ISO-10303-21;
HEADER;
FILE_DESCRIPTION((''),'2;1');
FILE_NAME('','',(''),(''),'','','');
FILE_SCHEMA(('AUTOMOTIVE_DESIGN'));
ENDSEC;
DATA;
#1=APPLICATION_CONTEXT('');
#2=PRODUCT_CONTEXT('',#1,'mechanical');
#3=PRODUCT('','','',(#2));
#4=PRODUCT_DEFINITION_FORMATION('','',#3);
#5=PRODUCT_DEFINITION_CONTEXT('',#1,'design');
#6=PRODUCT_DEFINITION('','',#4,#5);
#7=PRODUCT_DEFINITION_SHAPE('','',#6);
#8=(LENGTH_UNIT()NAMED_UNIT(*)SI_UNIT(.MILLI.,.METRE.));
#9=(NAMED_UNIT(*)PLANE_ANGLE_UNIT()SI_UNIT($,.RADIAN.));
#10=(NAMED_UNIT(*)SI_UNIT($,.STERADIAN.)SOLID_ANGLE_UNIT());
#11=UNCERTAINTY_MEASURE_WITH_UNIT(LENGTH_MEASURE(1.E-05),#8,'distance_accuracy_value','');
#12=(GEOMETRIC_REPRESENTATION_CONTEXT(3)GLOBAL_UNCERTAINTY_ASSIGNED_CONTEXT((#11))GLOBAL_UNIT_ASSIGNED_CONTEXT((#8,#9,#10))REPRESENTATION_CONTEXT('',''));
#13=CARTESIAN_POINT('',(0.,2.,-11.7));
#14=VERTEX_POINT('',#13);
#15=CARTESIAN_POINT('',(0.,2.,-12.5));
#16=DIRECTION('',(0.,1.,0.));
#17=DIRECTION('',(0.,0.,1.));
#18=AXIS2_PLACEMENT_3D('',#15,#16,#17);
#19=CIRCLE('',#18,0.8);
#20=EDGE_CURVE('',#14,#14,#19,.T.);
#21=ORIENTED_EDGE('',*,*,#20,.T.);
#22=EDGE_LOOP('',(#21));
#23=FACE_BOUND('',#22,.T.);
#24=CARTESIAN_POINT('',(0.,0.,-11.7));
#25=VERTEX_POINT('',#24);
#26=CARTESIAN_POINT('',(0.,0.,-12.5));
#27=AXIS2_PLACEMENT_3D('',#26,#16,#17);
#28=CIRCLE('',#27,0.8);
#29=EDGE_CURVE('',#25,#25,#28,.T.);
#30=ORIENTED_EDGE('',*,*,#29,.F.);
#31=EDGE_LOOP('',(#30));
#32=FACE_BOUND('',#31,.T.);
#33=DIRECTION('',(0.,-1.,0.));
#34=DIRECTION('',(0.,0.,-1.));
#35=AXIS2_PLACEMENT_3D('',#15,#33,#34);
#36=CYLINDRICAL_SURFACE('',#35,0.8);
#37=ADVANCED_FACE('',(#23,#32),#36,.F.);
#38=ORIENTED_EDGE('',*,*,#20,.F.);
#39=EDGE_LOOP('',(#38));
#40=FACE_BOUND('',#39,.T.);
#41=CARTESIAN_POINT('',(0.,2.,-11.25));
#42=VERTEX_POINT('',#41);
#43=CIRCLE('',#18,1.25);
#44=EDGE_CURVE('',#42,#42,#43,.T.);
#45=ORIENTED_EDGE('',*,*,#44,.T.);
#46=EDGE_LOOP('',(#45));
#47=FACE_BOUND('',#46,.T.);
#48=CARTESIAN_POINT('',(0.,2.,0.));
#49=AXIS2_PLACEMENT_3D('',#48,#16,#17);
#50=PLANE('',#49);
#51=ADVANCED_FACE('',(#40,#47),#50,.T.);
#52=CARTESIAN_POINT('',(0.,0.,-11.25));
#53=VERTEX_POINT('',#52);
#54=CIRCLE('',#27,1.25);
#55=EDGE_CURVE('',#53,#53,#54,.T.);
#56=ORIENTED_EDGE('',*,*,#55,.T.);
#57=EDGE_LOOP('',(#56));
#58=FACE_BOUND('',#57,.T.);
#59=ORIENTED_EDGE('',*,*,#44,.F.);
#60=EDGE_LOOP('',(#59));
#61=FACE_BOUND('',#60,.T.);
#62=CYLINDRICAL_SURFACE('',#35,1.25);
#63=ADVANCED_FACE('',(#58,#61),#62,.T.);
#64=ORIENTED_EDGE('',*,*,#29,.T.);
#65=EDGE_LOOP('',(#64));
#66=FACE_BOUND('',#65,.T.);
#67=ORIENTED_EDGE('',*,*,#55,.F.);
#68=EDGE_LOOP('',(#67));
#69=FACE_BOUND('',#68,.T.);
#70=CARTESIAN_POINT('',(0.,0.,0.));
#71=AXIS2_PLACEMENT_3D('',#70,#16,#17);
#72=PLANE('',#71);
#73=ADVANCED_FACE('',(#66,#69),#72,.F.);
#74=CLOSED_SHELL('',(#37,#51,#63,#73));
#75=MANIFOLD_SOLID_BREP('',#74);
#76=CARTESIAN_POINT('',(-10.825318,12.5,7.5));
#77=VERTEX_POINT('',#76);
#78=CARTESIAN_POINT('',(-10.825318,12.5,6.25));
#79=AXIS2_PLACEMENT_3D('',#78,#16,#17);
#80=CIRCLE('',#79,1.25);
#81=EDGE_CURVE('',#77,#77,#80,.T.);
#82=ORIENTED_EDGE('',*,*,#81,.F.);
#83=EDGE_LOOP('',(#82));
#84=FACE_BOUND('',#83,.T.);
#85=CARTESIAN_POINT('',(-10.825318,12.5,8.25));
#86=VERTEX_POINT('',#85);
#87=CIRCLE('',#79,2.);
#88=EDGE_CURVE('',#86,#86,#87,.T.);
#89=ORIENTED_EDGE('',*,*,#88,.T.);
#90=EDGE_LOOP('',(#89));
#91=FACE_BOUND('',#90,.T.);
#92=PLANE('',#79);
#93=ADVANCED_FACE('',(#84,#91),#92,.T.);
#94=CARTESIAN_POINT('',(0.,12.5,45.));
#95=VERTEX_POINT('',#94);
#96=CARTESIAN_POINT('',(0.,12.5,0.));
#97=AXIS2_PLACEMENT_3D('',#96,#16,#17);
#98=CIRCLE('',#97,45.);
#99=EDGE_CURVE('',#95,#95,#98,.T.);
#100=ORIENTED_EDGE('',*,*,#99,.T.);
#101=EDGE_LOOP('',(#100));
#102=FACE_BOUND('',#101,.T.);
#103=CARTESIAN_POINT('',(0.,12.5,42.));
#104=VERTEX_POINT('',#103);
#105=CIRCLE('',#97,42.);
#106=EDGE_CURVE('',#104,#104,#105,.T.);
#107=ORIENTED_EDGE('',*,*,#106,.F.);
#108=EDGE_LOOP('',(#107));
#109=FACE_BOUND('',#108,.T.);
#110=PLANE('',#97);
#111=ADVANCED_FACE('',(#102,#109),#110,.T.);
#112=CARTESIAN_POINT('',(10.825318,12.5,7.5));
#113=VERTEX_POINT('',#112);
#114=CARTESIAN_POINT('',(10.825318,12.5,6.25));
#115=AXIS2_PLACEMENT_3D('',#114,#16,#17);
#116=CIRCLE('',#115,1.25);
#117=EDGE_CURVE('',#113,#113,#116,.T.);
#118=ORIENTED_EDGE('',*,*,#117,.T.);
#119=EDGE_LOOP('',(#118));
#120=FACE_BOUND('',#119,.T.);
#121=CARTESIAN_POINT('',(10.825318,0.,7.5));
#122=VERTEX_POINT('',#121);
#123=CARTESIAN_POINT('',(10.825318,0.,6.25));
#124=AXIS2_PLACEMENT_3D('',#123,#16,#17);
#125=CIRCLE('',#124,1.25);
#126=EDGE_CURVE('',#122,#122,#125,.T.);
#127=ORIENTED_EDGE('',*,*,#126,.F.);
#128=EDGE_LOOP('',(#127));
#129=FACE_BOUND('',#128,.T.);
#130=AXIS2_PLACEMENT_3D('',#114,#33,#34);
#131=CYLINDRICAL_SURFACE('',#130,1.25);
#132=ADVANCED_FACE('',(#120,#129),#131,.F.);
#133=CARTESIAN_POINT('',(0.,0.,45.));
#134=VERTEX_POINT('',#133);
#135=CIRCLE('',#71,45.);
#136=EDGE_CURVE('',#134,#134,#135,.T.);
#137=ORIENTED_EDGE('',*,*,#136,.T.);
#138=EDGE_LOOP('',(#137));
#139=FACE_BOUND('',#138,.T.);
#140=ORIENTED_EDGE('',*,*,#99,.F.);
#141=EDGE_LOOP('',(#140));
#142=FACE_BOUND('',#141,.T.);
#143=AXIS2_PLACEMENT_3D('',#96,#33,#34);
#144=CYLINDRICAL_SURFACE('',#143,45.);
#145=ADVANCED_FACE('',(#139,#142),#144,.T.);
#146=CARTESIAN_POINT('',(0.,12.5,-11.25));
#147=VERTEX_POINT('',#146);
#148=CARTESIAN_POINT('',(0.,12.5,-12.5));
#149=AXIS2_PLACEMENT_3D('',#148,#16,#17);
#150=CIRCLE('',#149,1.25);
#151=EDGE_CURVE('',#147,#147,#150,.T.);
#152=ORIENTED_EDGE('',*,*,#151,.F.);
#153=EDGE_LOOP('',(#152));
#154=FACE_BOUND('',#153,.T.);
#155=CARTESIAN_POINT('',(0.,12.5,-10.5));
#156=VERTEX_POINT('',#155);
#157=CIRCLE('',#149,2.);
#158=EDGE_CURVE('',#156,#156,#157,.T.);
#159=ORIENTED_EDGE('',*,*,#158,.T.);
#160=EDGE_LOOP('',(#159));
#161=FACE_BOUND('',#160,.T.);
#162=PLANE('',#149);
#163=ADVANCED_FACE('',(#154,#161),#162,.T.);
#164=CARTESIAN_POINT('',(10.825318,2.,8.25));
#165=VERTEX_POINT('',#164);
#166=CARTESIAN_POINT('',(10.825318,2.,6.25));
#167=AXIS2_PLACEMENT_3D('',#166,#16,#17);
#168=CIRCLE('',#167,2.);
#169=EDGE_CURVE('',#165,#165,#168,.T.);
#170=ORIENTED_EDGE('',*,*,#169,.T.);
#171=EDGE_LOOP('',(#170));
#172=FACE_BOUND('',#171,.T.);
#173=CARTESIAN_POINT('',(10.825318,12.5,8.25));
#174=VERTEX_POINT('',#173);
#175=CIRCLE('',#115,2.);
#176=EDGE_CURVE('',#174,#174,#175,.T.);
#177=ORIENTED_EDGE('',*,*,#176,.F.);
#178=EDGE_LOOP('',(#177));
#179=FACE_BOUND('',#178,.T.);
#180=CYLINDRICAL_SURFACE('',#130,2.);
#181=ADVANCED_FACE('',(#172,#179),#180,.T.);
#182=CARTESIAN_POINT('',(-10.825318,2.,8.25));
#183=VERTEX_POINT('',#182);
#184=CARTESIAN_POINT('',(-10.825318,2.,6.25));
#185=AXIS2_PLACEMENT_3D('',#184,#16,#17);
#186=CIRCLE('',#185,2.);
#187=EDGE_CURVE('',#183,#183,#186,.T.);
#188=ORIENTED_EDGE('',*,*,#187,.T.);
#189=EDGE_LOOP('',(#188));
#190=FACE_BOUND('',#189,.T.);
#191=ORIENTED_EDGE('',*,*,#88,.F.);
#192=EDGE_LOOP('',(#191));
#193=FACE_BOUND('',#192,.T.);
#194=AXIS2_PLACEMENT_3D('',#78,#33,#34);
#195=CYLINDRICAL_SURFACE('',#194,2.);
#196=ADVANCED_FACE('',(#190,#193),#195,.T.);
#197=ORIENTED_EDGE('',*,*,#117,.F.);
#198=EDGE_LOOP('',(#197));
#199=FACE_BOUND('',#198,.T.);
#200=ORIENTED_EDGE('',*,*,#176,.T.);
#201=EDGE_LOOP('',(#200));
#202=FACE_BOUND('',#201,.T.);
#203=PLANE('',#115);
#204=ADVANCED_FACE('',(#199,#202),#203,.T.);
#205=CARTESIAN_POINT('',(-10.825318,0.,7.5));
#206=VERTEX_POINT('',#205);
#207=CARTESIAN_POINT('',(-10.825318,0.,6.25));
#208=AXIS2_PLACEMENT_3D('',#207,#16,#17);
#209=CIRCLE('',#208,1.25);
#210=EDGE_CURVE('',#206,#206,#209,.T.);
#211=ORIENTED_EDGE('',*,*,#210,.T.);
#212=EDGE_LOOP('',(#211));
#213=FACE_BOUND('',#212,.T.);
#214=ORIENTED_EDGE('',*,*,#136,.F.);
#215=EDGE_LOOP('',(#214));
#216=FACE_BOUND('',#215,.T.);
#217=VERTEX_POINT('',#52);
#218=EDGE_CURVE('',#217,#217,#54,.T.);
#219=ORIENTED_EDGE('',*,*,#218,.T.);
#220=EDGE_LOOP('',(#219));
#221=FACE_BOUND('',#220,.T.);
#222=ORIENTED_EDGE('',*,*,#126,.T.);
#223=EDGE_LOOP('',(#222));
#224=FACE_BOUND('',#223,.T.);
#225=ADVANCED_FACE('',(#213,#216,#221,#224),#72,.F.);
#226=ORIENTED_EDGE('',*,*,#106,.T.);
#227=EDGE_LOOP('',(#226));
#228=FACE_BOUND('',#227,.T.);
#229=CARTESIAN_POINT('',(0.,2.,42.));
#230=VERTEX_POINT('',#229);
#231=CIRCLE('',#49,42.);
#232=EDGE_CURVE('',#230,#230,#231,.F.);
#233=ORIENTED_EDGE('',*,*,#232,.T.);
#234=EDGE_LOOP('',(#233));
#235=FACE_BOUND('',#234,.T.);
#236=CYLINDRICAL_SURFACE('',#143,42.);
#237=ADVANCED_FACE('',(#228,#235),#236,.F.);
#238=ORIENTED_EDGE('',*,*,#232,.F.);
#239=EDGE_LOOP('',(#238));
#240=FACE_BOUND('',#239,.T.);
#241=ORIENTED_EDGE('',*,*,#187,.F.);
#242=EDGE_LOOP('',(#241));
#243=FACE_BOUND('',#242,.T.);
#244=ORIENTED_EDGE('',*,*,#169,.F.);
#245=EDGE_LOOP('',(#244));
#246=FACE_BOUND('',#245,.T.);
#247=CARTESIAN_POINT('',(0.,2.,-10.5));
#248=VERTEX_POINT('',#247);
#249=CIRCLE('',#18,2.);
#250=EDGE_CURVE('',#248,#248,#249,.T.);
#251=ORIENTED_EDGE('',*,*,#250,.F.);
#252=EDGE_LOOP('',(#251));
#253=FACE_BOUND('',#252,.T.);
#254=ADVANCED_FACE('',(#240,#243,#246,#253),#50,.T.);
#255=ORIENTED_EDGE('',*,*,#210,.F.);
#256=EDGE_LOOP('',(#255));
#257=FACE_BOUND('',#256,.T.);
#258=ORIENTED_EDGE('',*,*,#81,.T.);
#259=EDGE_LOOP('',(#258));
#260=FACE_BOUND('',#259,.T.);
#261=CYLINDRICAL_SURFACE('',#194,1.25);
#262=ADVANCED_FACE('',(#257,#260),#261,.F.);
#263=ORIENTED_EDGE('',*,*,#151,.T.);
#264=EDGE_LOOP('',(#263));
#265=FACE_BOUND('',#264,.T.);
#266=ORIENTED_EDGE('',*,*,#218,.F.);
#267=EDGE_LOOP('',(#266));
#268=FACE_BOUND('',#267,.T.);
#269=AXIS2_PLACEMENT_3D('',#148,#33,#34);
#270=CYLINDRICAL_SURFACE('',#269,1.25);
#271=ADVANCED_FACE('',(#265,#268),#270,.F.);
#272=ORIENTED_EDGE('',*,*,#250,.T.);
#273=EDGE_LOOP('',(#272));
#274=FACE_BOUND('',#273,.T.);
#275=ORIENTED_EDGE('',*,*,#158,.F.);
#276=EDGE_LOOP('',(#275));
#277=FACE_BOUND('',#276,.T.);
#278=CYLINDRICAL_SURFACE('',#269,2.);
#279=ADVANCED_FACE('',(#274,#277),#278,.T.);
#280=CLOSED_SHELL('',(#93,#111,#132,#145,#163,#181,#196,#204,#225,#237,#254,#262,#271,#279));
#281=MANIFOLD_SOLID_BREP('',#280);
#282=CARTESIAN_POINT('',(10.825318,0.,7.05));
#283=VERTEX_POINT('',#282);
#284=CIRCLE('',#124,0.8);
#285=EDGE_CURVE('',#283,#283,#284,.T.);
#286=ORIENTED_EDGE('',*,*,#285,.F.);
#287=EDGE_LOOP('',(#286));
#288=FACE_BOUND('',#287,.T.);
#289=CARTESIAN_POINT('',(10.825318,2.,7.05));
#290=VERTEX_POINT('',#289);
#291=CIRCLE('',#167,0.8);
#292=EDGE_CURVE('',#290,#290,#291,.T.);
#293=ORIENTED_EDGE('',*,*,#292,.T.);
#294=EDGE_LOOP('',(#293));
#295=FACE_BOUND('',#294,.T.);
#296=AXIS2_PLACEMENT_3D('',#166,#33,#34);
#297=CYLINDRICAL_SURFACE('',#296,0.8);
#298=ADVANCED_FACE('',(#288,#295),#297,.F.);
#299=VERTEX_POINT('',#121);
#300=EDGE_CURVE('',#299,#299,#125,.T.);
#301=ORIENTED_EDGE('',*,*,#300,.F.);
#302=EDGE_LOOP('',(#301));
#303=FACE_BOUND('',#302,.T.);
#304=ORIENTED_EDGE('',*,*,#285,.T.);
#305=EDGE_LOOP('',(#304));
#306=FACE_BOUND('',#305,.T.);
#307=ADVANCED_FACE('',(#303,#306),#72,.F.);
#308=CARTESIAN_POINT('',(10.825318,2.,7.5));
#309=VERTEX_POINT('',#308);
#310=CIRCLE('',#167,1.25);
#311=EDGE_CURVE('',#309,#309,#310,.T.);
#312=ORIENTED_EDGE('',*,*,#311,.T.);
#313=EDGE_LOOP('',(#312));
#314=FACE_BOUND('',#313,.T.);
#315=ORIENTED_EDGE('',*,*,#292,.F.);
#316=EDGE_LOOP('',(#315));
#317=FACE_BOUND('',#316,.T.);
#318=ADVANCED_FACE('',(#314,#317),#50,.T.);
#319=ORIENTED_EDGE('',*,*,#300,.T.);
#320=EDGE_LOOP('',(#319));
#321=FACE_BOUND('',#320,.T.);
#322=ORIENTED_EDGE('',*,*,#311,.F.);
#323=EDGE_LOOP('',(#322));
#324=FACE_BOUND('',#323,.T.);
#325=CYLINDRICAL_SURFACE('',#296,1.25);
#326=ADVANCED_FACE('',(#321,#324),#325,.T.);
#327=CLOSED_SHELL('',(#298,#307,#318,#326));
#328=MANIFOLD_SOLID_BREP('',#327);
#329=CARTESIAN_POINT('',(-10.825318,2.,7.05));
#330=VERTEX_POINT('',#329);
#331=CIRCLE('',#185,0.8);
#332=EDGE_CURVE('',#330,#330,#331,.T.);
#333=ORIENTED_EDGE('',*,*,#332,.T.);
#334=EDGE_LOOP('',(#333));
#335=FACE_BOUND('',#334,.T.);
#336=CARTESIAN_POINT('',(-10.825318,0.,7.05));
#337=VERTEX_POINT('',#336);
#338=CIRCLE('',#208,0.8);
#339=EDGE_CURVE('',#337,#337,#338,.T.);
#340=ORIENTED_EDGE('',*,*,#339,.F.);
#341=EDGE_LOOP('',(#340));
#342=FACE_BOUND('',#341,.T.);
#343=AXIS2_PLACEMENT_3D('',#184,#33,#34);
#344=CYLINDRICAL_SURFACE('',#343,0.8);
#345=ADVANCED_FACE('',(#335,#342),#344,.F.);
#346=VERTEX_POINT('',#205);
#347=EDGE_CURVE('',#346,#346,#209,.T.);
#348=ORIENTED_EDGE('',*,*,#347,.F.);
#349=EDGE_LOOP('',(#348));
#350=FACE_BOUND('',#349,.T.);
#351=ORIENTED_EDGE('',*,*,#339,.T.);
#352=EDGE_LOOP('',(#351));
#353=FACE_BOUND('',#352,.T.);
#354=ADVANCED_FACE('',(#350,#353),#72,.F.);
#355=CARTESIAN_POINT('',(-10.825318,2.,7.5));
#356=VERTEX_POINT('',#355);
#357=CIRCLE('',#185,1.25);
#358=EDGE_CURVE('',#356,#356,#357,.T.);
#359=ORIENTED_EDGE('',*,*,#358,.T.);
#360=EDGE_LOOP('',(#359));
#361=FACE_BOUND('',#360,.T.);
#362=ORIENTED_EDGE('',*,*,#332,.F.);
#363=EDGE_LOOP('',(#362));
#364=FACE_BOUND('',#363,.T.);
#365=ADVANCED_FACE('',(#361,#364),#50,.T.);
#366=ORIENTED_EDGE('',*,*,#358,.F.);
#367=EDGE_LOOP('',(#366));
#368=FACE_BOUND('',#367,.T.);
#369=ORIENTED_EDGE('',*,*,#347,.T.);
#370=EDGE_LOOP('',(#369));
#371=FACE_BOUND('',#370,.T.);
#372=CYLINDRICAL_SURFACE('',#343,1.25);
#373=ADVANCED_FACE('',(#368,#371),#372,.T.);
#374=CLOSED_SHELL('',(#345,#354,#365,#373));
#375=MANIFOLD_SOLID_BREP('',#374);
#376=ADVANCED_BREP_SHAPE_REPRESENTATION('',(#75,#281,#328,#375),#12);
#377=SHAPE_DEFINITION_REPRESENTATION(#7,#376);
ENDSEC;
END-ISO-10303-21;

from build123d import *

# Parameters (mm, degrees)
SKETCH1_R             = 42
SKETCH1_R_2           = 2
BOSS_EXTRUDE1_DEPTH   = 2
SKETCH1_R_3           = 1.25
SKETCH1_R_4           = 0.8
BOSS_EXTRUDE1_2_DEPTH = 2
BOSS_EXTRUDE1_3_DEPTH = 2
BOSS_EXTRUDE1_4_DEPTH = 2
SKETCH1_3_R           = 45
SKETCH1_3_R_2         = 42
SKETCH1_3_R_3         = 2
SKETCH1_3_R_4         = 1.25
BOSS_EXTRUDE2_DEPTH   = 12.5


with BuildPart() as part:
    # Sketch1 → Boss-Extrude1 (new body)
    with BuildSketch(Plane(origin=(0, 0, 0), x_dir=(1, 0, 0), z_dir=(0, 1, 0))):
        Circle(SKETCH1_R)
        with Locations((-10.825317547, -6.25)):
            Circle(SKETCH1_R_2, mode=Mode.SUBTRACT)
        with Locations((10.825317547, -6.25)):
            Circle(SKETCH1_R_2, mode=Mode.SUBTRACT)
        with Locations((0, 12.5)):
            Circle(SKETCH1_R_2, mode=Mode.SUBTRACT)
    extrude(amount=BOSS_EXTRUDE1_DEPTH)

    # Sketch1<3> → Boss-Extrude2 (add)
    # profile 1 of 4: a face of its own
    with BuildSketch(Plane(origin=(0, 0, 0), x_dir=(1, 0, 0), z_dir=(0, 1, 0))):
        Circle(SKETCH1_3_R)
        Circle(SKETCH1_3_R_2, mode=Mode.SUBTRACT)
    # profile 2 of 4: a face of its own
    with BuildSketch(Plane(origin=(0, 0, 0), x_dir=(1, 0, 0), z_dir=(0, 1, 0))):
        with Locations((-10.825317547, -6.25)):
            Circle(SKETCH1_3_R_3)
        with Locations((-10.825317547, -6.25)):
            Circle(SKETCH1_3_R_4, mode=Mode.SUBTRACT)
    # profile 3 of 4: a face of its own
    with BuildSketch(Plane(origin=(0, 0, 0), x_dir=(1, 0, 0), z_dir=(0, 1, 0))):
        with Locations((10.825317547, -6.25)):
            Circle(SKETCH1_3_R_3)
        with Locations((10.825317547, -6.25)):
            Circle(SKETCH1_3_R_4, mode=Mode.SUBTRACT)
    # profile 4 of 4: a face of its own
    with BuildSketch(Plane(origin=(0, 0, 0), x_dir=(1, 0, 0), z_dir=(0, 1, 0))):
        with Locations((0, 12.5)):
            Circle(SKETCH1_3_R_3)
        with Locations((0, 12.5)):
            Circle(SKETCH1_3_R_4, mode=Mode.SUBTRACT)
    extrude(amount=BOSS_EXTRUDE2_DEPTH)


with BuildPart() as body_2:
    # Sketch1 → Boss-Extrude1 2 (new body)
    with BuildSketch(Plane(origin=(0, 0, 0), x_dir=(1, 0, 0), z_dir=(0, 1, 0))):
        with Locations((0, 12.5)):
            Circle(SKETCH1_R_3)
        with Locations((0, 12.5)):
            Circle(SKETCH1_R_4, mode=Mode.SUBTRACT)
    extrude(amount=BOSS_EXTRUDE1_2_DEPTH)


with BuildPart() as body_3:
    # Sketch1 → Boss-Extrude1 3 (new body)
    with BuildSketch(Plane(origin=(0, 0, 0), x_dir=(1, 0, 0), z_dir=(0, 1, 0))):
        with Locations((10.825317547, -6.25)):
            Circle(SKETCH1_R_3)
        with Locations((10.825317547, -6.25)):
            Circle(SKETCH1_R_4, mode=Mode.SUBTRACT)
    extrude(amount=BOSS_EXTRUDE1_3_DEPTH)


with BuildPart() as body_4:
    # Sketch1 → Boss-Extrude1 4 (new body)
    with BuildSketch(Plane(origin=(0, 0, 0), x_dir=(1, 0, 0), z_dir=(0, 1, 0))):
        with Locations((-10.825317547, -6.25)):
            Circle(SKETCH1_R_3)
        with Locations((-10.825317547, -6.25)):
            Circle(SKETCH1_R_4, mode=Mode.SUBTRACT)
    extrude(amount=BOSS_EXTRUDE1_4_DEPTH)


solid = Compound([part.part, body_2.part, body_3.part, body_4.part])
